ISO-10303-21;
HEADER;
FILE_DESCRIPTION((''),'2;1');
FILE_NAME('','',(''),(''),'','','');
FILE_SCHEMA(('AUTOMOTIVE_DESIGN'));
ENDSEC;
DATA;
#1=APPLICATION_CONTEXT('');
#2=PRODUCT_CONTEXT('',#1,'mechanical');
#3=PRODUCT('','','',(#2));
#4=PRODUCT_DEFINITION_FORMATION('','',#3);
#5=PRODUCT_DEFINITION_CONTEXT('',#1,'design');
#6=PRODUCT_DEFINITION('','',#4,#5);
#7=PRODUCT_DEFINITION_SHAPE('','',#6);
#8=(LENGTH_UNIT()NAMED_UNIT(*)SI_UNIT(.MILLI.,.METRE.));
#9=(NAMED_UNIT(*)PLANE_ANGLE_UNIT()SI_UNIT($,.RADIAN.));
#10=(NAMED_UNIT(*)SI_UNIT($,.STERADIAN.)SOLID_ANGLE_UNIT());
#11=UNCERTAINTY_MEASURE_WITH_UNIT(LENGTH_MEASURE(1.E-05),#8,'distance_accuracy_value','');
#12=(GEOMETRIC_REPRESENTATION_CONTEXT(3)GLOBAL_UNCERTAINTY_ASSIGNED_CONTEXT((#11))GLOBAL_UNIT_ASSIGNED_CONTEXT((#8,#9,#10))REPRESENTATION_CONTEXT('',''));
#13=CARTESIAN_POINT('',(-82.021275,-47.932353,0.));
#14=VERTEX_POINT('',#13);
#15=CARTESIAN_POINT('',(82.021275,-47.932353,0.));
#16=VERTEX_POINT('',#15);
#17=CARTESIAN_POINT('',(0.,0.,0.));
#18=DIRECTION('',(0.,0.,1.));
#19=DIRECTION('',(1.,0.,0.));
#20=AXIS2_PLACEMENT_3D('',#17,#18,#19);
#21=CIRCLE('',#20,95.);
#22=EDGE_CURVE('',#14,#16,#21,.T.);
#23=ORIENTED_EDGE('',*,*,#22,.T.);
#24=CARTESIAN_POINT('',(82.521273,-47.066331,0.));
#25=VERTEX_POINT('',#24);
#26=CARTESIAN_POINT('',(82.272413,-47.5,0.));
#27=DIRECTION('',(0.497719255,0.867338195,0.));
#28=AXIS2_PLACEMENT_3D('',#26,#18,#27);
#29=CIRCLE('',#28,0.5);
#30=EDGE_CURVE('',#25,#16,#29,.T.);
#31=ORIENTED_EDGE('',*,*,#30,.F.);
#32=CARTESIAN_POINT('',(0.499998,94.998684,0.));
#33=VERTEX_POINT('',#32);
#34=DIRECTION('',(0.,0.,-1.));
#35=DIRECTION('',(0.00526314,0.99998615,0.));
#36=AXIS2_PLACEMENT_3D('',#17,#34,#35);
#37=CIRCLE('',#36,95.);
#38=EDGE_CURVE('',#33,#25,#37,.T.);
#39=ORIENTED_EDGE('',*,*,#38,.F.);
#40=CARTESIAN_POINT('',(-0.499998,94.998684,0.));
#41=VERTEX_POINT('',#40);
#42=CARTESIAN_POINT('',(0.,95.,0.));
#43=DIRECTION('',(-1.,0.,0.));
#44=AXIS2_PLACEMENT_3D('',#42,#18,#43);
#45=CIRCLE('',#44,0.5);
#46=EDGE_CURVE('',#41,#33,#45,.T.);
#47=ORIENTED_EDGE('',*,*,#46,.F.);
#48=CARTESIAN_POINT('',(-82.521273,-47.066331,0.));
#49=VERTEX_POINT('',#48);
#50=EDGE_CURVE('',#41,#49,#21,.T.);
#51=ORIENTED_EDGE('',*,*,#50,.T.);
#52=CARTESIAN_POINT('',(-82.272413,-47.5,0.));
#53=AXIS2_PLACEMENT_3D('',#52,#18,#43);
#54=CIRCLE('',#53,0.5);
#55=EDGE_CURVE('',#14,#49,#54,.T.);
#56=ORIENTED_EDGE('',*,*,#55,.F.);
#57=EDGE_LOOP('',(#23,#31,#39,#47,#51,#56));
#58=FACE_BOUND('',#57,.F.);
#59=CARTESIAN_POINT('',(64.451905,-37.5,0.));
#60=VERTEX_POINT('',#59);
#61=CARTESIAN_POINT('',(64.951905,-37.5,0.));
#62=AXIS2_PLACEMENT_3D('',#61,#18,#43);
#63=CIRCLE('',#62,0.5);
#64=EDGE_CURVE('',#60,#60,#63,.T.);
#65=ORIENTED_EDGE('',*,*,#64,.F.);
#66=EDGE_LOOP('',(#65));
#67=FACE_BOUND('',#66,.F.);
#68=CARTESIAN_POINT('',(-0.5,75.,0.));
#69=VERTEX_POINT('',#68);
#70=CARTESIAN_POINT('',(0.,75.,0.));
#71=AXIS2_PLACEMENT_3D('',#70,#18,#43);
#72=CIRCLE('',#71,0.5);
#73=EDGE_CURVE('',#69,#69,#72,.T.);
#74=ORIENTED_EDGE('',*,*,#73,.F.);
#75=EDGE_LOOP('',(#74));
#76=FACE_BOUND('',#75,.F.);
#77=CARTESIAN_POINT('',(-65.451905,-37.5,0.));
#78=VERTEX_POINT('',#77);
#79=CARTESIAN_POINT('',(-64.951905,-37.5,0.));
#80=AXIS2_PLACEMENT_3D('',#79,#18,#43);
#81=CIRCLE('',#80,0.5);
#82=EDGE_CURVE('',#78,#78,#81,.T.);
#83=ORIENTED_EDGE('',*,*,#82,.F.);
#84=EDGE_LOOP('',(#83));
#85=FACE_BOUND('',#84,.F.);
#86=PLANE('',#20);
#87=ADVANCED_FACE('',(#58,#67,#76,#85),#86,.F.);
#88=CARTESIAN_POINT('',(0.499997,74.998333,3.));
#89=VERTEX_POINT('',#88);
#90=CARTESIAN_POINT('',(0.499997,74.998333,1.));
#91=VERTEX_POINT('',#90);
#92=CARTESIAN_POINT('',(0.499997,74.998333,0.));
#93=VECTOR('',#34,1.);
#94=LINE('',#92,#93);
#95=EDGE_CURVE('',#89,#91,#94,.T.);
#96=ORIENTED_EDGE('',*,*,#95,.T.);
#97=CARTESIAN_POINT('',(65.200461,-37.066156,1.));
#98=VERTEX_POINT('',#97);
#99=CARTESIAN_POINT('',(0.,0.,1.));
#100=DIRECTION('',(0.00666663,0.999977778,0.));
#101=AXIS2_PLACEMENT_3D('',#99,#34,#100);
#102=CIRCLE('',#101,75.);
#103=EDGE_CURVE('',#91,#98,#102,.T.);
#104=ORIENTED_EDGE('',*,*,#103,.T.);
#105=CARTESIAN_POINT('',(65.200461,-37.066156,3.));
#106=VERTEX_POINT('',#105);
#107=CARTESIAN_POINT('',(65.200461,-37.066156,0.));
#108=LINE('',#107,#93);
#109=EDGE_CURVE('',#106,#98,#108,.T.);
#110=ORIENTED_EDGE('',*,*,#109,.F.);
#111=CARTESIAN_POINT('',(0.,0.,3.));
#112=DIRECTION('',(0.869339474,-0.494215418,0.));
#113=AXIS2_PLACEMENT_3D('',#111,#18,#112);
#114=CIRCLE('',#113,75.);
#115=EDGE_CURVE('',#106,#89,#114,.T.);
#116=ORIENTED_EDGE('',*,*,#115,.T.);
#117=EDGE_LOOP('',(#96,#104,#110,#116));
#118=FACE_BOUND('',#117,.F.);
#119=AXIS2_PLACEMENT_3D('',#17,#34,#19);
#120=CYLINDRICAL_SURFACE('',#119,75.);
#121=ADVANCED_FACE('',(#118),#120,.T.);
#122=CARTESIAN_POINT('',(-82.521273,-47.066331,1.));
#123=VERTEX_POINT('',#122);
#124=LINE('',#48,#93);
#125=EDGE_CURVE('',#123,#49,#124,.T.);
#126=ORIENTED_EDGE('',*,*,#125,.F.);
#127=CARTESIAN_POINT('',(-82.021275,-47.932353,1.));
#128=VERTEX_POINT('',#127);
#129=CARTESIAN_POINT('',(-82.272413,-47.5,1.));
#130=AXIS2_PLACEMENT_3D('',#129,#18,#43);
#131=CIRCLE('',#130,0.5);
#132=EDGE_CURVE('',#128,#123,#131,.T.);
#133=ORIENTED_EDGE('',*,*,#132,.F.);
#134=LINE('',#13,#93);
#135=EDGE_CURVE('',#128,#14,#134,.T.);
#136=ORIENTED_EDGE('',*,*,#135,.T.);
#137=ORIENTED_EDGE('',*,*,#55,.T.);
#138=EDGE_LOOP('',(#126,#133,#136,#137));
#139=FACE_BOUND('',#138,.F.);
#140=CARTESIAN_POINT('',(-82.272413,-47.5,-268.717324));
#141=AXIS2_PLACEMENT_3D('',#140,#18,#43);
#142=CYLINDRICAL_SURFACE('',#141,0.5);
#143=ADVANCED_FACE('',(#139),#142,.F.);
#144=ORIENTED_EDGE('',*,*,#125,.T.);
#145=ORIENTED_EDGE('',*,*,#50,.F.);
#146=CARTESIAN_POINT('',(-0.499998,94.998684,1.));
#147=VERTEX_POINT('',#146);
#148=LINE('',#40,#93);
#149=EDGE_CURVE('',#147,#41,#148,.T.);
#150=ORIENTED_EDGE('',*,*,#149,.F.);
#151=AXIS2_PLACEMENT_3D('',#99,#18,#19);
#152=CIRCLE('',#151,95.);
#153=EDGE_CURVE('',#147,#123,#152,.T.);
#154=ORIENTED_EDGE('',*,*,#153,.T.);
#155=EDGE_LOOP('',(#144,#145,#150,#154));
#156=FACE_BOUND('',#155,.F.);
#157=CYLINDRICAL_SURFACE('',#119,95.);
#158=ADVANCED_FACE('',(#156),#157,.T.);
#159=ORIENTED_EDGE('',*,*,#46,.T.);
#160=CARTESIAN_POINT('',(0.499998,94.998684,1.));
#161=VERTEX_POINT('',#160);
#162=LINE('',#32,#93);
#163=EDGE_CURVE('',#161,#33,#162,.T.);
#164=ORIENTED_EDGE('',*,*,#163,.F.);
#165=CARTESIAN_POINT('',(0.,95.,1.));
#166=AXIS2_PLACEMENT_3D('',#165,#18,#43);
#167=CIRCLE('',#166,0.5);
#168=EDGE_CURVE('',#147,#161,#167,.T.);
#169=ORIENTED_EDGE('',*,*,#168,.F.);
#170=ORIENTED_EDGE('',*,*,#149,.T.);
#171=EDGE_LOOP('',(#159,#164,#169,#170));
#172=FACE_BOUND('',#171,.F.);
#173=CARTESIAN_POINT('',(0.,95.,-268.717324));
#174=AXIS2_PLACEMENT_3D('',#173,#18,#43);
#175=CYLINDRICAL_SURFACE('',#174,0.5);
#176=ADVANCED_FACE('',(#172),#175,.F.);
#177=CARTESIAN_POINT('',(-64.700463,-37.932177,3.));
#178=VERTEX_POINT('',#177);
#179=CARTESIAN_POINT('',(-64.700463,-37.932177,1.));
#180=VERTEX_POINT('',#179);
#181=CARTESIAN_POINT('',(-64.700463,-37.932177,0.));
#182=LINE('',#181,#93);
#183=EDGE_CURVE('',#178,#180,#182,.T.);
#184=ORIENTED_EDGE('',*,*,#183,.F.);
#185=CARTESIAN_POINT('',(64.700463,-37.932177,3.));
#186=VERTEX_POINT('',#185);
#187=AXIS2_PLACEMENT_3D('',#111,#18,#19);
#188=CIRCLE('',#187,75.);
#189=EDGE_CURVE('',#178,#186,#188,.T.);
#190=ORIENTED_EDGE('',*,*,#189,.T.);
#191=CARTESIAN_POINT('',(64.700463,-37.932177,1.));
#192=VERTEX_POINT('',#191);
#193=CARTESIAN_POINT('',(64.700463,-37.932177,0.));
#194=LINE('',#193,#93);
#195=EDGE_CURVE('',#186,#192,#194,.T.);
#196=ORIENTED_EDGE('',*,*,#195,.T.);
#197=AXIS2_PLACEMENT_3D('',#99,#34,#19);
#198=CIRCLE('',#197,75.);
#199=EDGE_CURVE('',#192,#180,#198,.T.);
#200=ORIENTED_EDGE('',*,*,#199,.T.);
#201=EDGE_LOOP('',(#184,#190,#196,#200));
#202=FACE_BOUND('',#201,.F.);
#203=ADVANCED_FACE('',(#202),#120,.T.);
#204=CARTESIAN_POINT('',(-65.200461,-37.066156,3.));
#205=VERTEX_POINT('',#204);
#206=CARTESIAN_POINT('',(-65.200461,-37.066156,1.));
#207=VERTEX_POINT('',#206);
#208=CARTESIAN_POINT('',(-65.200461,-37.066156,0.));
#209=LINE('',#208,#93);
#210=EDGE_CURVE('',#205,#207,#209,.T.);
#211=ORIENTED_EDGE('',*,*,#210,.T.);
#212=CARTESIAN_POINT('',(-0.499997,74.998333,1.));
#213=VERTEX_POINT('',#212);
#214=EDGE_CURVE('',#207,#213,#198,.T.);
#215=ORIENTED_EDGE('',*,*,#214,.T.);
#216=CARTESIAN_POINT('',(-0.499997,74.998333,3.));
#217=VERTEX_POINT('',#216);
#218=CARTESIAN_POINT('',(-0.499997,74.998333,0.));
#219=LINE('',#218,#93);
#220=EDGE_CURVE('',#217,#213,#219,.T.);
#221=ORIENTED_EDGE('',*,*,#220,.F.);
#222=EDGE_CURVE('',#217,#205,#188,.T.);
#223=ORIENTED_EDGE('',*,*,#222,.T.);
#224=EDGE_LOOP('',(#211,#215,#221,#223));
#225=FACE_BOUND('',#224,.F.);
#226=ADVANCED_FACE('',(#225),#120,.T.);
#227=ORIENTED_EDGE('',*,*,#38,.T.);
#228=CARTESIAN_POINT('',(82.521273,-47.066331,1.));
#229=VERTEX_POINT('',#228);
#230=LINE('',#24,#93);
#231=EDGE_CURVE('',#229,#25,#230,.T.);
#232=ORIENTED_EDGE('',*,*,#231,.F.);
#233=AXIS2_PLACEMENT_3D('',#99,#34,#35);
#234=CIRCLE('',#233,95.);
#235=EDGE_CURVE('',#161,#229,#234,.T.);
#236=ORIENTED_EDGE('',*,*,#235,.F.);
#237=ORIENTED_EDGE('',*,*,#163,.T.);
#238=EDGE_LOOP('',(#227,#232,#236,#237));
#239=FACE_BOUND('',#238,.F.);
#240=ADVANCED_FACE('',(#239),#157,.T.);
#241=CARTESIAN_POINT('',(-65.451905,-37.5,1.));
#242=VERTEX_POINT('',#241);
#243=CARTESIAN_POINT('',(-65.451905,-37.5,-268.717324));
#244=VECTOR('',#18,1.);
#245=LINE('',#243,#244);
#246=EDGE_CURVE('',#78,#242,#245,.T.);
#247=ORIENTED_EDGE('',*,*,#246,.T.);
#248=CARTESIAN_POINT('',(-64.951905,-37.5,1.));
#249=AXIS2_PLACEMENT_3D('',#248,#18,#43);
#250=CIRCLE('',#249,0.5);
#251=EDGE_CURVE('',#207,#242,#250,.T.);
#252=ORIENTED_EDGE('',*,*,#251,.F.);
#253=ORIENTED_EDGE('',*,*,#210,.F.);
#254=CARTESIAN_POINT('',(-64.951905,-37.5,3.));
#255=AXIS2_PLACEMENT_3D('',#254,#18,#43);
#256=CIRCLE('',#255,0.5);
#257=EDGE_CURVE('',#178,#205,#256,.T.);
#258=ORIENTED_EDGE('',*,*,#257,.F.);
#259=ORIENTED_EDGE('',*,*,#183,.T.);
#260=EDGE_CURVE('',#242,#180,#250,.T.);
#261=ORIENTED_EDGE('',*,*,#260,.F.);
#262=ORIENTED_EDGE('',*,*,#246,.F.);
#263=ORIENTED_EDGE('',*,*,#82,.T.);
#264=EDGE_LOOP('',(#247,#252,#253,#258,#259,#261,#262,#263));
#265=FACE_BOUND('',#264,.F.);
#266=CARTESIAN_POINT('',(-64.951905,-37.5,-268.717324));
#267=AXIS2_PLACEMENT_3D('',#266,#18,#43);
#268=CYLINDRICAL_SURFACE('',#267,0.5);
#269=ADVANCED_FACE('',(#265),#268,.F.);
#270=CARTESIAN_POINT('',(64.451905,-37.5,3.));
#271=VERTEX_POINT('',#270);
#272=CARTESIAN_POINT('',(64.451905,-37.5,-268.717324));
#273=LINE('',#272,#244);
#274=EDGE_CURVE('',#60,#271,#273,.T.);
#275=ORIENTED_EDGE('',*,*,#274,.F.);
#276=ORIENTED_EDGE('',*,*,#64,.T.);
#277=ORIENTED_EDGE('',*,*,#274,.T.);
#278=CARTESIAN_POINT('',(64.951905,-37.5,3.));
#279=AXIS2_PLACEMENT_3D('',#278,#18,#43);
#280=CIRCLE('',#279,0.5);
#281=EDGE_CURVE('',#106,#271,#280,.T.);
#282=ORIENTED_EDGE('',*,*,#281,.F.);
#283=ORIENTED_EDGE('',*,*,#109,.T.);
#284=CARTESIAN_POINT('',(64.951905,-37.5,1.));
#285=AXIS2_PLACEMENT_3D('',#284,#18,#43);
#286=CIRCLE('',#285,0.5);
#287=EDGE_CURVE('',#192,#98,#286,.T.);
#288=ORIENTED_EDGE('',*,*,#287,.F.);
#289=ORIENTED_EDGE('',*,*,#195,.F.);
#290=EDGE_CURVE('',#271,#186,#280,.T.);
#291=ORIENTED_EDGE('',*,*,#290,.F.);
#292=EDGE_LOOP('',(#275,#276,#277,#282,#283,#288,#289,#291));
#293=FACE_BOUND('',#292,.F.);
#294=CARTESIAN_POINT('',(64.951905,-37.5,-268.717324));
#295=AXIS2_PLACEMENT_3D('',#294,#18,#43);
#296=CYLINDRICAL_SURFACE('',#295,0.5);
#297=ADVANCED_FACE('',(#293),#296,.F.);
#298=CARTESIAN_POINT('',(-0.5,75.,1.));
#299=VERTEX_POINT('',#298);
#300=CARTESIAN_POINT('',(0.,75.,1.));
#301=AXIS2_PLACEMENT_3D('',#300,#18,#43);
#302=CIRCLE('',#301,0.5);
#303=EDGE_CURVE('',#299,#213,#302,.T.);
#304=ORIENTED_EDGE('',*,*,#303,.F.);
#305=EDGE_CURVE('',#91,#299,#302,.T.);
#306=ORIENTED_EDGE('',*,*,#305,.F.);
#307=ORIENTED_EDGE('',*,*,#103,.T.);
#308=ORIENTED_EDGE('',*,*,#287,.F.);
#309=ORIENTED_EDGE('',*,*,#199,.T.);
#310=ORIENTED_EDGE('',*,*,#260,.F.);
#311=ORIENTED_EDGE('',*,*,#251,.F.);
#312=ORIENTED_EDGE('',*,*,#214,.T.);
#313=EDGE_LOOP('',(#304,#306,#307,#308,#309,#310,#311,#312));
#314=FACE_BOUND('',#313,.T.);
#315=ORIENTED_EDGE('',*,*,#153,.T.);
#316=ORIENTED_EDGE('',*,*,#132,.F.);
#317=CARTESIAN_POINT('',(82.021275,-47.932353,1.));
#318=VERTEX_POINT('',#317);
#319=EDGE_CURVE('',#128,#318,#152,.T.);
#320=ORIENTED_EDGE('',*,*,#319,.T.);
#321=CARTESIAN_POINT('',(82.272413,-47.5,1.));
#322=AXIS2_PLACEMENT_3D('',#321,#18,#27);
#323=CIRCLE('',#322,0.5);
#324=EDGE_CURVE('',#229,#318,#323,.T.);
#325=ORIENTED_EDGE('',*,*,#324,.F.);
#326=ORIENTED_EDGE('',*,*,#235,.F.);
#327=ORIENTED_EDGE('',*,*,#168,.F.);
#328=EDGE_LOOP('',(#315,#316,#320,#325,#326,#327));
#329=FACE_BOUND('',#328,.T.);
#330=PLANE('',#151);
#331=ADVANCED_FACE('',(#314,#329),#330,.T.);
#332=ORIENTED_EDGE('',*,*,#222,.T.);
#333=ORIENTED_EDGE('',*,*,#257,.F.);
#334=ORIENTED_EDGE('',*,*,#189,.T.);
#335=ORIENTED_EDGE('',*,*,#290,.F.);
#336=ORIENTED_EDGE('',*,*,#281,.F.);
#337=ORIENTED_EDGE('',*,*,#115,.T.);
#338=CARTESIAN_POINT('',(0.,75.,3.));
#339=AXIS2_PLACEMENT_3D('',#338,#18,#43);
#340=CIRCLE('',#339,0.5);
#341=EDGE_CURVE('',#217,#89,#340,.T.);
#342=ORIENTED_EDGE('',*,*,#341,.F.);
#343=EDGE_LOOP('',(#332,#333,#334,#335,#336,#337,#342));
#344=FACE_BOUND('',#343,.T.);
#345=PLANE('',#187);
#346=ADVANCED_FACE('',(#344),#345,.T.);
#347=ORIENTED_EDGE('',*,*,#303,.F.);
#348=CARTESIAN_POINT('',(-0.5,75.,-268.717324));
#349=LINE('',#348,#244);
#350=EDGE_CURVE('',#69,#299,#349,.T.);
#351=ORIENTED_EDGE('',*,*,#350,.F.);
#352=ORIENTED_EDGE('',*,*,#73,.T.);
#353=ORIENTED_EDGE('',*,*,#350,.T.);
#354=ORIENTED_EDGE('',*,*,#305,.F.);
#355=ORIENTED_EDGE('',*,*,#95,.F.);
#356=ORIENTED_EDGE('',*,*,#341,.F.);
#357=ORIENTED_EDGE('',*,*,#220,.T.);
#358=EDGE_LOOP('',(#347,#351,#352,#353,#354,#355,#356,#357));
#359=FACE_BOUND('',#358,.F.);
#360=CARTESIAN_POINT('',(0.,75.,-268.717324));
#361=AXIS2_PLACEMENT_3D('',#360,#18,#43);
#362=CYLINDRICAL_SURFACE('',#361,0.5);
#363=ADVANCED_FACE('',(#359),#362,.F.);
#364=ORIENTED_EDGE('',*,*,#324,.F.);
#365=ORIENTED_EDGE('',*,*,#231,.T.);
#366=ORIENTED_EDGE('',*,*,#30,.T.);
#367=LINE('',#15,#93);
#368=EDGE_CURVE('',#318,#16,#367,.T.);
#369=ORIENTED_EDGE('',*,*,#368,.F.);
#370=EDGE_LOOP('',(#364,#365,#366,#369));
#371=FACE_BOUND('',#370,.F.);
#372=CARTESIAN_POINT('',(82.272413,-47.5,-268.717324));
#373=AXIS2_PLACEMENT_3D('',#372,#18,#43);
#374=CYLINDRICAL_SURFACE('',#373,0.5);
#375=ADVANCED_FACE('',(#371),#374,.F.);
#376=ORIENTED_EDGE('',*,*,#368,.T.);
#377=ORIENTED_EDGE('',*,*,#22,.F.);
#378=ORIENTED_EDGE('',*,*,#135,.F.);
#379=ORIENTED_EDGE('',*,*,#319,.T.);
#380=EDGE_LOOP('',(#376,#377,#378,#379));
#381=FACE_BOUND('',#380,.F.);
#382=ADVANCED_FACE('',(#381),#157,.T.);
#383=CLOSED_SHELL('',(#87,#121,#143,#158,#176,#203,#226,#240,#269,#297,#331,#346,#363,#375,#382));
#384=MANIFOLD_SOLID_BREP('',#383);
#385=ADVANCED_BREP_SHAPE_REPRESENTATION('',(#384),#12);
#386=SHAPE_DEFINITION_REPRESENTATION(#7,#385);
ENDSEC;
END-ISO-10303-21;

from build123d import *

# Parameters (mm, degrees)
F0_R     = 95
F0_R_2   = 75
F1_DEPTH = 1
F2_DEPTH = 3
F3_D     = 1


with BuildPart() as f1:
    # F0 (on Top) → F1 (new body)
    with BuildSketch(Plane.XY):
        Circle(F0_R)
        Circle(F0_R_2, mode=Mode.SUBTRACT)
        Circle(F0_R_2)
    extrude(amount=F1_DEPTH)

    # F0 (on Top) → F2 (join)
    with BuildSketch(Plane.XY):
        Circle(F0_R_2)
    extrude(amount=F2_DEPTH)

    # F3 (through all)
    with Locations(Plane(origin=(0, 0, 0), x_dir=(1, 0, 0), z_dir=(0, 0, -1))):
        with Locations((0, -75), (-64.9519052838, 37.5), (64.9519052838, 37.5), (82.2724133595, 47.5), (-82.2724133595, 47.5), (0, -95)):
            Hole(F3_D / 2)


solid = f1.part
